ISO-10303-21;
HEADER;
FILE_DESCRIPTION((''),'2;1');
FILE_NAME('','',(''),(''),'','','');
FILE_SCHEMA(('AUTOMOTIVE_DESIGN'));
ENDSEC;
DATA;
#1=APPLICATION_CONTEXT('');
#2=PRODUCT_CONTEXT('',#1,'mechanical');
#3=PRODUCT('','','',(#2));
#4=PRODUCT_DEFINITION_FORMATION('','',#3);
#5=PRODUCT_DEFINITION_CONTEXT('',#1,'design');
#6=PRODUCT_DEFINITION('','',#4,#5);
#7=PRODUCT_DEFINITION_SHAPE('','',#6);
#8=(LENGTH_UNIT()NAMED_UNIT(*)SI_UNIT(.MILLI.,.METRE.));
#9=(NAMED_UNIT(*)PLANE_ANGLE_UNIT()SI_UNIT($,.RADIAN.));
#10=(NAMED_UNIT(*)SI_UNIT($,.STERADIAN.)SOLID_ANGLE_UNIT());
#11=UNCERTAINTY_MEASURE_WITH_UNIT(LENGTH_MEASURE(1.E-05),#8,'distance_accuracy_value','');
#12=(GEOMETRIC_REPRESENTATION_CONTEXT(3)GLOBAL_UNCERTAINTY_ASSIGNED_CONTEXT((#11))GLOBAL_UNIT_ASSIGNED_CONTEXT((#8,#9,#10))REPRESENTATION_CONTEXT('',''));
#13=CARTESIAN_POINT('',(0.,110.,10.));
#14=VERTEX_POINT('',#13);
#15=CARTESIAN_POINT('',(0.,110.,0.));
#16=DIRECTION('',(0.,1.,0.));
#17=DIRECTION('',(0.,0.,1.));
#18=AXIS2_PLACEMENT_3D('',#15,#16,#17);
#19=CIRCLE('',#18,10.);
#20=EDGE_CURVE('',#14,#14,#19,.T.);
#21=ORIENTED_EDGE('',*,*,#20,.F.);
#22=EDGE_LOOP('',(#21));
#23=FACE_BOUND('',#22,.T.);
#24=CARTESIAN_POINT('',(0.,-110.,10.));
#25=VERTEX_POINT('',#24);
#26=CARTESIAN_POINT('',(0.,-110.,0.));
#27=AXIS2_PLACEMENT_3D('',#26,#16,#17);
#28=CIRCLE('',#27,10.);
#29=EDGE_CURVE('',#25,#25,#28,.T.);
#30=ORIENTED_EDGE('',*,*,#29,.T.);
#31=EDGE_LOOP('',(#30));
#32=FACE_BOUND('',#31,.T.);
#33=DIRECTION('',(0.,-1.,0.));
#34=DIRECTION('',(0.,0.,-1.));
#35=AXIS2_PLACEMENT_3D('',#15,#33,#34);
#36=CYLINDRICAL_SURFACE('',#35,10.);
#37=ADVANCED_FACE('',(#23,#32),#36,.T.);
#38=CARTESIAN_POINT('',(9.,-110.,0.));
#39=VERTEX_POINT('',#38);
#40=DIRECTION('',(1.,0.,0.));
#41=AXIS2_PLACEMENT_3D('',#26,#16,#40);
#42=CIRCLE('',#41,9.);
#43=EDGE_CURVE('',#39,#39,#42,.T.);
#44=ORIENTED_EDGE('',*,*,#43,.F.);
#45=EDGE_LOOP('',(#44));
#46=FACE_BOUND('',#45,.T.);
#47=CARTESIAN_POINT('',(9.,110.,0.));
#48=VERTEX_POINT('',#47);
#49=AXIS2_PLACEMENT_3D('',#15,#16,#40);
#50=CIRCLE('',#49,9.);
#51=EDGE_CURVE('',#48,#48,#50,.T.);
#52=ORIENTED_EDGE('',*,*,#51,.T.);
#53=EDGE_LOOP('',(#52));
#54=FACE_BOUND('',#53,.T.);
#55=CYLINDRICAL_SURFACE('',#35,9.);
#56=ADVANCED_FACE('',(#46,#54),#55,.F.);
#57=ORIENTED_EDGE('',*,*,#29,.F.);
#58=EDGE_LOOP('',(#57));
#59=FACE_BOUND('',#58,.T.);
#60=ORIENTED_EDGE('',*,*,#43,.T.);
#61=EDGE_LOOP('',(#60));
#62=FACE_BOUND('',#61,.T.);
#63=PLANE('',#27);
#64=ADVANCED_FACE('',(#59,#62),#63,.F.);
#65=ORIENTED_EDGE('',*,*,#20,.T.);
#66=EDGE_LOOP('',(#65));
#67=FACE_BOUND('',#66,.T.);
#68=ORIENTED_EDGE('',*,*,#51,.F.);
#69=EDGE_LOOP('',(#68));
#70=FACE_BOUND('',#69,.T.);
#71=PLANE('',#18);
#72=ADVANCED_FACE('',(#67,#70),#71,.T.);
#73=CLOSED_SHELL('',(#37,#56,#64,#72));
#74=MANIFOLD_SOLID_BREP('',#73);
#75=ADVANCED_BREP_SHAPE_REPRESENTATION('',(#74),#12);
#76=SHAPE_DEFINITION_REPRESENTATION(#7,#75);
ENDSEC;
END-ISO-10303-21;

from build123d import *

# Parameters (mm, degrees)
SKETCH_1_R   = 10
SKETCH_1_R_2 = 9
F_1MM_DEPTH  = 110


with BuildPart() as part:
    # 草图1 → 1mm (new, symmetric)
    with BuildSketch(Plane(origin=(0, 0, 0), x_dir=(1, 0, 0), z_dir=(0, 1, 0))):
        Circle(SKETCH_1_R)
        Circle(SKETCH_1_R_2, mode=Mode.SUBTRACT)
    extrude(amount=F_1MM_DEPTH, both=True)


solid = part.part
